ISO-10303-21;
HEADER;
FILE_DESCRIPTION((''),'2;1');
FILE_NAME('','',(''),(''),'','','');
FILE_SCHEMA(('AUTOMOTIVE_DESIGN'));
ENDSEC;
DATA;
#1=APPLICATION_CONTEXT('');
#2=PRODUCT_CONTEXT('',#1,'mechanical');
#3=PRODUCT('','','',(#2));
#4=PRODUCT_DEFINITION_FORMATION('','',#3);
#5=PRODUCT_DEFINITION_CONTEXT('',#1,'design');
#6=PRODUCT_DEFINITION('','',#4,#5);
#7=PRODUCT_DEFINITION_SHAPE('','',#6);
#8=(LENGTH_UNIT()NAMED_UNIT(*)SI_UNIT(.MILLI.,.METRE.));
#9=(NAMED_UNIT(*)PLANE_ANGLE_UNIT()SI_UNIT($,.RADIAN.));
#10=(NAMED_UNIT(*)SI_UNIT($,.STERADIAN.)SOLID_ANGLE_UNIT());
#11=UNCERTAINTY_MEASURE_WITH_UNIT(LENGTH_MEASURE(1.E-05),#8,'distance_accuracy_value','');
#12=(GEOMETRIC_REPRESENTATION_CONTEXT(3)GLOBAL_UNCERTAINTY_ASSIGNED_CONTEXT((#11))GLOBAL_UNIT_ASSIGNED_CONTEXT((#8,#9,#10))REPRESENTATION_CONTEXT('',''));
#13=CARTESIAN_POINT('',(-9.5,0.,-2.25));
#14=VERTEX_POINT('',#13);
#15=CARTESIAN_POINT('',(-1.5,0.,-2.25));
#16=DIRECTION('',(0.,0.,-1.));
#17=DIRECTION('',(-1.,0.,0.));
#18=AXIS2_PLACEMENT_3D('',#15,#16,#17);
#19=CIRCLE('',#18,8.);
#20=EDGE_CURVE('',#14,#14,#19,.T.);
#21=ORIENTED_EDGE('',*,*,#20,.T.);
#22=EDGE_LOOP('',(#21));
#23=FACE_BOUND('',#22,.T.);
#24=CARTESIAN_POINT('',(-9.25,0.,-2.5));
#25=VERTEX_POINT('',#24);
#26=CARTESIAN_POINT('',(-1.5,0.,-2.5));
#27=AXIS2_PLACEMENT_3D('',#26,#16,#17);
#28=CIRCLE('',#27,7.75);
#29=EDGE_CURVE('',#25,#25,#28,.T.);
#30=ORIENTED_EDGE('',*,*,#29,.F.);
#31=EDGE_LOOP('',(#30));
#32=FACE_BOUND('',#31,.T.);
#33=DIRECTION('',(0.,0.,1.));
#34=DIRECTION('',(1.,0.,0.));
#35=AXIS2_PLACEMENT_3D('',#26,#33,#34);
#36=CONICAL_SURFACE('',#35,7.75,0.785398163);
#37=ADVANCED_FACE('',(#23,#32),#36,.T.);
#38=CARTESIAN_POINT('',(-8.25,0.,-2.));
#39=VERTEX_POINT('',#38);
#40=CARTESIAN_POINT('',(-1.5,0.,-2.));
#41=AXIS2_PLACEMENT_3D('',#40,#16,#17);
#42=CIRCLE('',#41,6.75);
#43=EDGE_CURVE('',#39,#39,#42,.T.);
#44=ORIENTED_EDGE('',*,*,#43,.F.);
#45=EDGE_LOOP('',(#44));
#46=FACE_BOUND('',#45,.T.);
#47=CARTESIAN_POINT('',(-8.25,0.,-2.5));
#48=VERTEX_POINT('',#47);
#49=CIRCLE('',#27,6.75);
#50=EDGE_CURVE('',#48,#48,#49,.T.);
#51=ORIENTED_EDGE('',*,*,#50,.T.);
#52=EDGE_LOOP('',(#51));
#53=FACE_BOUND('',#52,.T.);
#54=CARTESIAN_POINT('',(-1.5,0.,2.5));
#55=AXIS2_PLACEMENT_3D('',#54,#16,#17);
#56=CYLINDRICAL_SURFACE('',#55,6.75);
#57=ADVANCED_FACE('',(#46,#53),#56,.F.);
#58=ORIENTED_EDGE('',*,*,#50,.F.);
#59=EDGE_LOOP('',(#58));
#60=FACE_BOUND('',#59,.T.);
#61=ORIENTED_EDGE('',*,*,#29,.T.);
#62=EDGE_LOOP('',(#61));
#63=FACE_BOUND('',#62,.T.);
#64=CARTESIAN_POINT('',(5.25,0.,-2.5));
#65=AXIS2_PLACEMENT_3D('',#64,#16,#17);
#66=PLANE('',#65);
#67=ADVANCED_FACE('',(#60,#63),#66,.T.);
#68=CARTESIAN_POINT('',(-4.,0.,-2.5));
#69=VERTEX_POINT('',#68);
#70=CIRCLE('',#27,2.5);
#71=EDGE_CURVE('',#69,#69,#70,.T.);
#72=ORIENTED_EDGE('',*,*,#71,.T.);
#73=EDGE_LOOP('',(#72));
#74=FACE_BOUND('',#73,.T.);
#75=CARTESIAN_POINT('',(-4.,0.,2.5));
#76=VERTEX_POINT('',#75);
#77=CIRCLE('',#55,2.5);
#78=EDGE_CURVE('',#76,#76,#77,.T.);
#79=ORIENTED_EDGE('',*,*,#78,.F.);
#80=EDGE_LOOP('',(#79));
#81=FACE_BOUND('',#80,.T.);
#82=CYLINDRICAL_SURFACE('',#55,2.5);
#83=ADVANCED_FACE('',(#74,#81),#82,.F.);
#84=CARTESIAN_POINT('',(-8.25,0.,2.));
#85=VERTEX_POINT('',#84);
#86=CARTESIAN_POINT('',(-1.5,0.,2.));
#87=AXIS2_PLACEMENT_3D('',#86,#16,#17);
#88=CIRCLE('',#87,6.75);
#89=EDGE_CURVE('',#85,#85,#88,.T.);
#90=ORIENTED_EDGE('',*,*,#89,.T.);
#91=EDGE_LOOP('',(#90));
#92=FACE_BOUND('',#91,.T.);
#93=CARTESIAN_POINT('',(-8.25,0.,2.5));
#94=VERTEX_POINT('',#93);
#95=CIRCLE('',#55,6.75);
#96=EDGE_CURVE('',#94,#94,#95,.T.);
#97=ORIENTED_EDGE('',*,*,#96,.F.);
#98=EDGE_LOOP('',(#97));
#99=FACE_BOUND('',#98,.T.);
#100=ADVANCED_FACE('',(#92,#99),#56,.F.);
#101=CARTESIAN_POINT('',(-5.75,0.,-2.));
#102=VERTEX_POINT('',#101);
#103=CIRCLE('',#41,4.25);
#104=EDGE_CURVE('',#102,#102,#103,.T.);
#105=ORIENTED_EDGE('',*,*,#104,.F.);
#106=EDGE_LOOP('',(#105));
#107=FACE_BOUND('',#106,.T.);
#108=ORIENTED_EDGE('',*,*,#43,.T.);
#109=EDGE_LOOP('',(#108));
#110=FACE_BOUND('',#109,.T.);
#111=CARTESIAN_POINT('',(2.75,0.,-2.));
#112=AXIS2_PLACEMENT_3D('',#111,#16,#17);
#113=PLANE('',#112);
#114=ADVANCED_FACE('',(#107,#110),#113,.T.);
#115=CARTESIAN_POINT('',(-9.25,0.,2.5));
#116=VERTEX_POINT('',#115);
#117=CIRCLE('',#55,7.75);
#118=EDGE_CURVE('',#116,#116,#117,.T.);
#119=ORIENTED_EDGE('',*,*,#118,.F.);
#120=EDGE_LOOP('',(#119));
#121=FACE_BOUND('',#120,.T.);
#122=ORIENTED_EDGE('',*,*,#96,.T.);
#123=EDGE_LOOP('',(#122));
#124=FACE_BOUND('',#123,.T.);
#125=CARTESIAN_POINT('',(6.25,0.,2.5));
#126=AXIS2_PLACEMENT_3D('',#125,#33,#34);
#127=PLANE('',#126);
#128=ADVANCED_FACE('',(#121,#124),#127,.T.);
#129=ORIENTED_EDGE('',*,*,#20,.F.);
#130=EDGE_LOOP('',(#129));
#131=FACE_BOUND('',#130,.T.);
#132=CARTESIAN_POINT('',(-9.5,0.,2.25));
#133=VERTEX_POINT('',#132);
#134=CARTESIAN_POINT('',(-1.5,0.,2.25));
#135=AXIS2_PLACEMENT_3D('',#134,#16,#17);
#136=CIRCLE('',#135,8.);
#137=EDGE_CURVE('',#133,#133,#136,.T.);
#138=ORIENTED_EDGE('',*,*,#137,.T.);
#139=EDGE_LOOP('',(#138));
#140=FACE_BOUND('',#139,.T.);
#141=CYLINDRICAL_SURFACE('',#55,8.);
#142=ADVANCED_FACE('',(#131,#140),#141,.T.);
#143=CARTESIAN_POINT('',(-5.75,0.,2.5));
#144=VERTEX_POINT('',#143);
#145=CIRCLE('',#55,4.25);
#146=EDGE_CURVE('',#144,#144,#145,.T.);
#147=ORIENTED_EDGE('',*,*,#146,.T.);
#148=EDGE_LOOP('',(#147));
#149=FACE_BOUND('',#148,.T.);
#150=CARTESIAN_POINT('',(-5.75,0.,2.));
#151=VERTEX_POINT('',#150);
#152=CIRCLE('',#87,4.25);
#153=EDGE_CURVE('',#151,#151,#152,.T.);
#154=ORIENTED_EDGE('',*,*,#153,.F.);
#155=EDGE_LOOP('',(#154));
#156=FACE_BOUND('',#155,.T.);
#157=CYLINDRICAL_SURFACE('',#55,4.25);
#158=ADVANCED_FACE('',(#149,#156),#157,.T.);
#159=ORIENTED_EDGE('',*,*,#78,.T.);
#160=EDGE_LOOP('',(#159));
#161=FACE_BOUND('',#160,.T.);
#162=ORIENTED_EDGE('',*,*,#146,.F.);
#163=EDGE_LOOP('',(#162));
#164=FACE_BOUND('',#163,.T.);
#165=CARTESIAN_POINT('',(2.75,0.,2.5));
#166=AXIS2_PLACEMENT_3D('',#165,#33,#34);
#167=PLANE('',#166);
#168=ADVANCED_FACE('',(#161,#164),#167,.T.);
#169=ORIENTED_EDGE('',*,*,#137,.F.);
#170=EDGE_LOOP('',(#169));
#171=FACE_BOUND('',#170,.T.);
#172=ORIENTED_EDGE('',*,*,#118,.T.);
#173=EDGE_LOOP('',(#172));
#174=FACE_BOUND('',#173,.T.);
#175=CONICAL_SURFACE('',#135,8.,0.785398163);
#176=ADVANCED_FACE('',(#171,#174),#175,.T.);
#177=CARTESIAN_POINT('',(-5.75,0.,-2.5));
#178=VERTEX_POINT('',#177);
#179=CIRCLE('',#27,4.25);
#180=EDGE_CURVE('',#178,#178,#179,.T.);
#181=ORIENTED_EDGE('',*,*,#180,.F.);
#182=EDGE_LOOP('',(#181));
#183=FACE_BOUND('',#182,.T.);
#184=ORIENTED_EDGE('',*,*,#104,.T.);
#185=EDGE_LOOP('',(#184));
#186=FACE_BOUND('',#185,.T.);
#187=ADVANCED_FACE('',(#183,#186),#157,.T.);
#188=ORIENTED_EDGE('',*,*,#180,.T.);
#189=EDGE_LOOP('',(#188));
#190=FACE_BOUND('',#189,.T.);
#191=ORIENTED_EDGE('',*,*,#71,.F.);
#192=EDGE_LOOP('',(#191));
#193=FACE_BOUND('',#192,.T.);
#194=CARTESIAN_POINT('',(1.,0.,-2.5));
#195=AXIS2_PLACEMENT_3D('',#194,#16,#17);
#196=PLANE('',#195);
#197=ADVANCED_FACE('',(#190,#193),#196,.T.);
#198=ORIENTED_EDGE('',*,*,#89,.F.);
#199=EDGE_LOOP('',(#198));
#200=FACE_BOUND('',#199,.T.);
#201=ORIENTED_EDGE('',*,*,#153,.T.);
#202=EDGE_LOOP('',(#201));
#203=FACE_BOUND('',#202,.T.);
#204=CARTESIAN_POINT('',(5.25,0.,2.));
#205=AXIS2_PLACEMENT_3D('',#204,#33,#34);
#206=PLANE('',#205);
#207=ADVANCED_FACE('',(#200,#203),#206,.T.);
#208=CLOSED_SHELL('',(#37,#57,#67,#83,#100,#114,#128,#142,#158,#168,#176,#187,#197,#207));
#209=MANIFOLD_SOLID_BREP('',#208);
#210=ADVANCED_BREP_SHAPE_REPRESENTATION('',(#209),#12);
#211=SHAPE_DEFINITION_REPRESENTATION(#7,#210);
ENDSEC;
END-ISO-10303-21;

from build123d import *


with BuildPart() as part:
    # Sketch1 → Revolve1 (revolve)
    with BuildSketch(Plane.XZ, mode=Mode.PRIVATE) as revolve1_sk:
        Polygon((6.5, 2.25), (6.25, 2.5), (5.25, 2.5), (5.25, 2), (2.75, 2), (2.75, 2.5), (1, 2.5), (1, -2.5), (2.75, -2.5), (2.75, -2), (5.25, -2), (5.25, -2.5), (6.25, -2.5), (6.5, -2.25), align=None)
    revolve(revolve1_sk.sketch.rotate(Axis((-1.5, 0, 2.5), (0, 0, -1)), 180), axis=Axis((-1.5, 0, 2.5), (0, 0, -1)))


solid = part.part
